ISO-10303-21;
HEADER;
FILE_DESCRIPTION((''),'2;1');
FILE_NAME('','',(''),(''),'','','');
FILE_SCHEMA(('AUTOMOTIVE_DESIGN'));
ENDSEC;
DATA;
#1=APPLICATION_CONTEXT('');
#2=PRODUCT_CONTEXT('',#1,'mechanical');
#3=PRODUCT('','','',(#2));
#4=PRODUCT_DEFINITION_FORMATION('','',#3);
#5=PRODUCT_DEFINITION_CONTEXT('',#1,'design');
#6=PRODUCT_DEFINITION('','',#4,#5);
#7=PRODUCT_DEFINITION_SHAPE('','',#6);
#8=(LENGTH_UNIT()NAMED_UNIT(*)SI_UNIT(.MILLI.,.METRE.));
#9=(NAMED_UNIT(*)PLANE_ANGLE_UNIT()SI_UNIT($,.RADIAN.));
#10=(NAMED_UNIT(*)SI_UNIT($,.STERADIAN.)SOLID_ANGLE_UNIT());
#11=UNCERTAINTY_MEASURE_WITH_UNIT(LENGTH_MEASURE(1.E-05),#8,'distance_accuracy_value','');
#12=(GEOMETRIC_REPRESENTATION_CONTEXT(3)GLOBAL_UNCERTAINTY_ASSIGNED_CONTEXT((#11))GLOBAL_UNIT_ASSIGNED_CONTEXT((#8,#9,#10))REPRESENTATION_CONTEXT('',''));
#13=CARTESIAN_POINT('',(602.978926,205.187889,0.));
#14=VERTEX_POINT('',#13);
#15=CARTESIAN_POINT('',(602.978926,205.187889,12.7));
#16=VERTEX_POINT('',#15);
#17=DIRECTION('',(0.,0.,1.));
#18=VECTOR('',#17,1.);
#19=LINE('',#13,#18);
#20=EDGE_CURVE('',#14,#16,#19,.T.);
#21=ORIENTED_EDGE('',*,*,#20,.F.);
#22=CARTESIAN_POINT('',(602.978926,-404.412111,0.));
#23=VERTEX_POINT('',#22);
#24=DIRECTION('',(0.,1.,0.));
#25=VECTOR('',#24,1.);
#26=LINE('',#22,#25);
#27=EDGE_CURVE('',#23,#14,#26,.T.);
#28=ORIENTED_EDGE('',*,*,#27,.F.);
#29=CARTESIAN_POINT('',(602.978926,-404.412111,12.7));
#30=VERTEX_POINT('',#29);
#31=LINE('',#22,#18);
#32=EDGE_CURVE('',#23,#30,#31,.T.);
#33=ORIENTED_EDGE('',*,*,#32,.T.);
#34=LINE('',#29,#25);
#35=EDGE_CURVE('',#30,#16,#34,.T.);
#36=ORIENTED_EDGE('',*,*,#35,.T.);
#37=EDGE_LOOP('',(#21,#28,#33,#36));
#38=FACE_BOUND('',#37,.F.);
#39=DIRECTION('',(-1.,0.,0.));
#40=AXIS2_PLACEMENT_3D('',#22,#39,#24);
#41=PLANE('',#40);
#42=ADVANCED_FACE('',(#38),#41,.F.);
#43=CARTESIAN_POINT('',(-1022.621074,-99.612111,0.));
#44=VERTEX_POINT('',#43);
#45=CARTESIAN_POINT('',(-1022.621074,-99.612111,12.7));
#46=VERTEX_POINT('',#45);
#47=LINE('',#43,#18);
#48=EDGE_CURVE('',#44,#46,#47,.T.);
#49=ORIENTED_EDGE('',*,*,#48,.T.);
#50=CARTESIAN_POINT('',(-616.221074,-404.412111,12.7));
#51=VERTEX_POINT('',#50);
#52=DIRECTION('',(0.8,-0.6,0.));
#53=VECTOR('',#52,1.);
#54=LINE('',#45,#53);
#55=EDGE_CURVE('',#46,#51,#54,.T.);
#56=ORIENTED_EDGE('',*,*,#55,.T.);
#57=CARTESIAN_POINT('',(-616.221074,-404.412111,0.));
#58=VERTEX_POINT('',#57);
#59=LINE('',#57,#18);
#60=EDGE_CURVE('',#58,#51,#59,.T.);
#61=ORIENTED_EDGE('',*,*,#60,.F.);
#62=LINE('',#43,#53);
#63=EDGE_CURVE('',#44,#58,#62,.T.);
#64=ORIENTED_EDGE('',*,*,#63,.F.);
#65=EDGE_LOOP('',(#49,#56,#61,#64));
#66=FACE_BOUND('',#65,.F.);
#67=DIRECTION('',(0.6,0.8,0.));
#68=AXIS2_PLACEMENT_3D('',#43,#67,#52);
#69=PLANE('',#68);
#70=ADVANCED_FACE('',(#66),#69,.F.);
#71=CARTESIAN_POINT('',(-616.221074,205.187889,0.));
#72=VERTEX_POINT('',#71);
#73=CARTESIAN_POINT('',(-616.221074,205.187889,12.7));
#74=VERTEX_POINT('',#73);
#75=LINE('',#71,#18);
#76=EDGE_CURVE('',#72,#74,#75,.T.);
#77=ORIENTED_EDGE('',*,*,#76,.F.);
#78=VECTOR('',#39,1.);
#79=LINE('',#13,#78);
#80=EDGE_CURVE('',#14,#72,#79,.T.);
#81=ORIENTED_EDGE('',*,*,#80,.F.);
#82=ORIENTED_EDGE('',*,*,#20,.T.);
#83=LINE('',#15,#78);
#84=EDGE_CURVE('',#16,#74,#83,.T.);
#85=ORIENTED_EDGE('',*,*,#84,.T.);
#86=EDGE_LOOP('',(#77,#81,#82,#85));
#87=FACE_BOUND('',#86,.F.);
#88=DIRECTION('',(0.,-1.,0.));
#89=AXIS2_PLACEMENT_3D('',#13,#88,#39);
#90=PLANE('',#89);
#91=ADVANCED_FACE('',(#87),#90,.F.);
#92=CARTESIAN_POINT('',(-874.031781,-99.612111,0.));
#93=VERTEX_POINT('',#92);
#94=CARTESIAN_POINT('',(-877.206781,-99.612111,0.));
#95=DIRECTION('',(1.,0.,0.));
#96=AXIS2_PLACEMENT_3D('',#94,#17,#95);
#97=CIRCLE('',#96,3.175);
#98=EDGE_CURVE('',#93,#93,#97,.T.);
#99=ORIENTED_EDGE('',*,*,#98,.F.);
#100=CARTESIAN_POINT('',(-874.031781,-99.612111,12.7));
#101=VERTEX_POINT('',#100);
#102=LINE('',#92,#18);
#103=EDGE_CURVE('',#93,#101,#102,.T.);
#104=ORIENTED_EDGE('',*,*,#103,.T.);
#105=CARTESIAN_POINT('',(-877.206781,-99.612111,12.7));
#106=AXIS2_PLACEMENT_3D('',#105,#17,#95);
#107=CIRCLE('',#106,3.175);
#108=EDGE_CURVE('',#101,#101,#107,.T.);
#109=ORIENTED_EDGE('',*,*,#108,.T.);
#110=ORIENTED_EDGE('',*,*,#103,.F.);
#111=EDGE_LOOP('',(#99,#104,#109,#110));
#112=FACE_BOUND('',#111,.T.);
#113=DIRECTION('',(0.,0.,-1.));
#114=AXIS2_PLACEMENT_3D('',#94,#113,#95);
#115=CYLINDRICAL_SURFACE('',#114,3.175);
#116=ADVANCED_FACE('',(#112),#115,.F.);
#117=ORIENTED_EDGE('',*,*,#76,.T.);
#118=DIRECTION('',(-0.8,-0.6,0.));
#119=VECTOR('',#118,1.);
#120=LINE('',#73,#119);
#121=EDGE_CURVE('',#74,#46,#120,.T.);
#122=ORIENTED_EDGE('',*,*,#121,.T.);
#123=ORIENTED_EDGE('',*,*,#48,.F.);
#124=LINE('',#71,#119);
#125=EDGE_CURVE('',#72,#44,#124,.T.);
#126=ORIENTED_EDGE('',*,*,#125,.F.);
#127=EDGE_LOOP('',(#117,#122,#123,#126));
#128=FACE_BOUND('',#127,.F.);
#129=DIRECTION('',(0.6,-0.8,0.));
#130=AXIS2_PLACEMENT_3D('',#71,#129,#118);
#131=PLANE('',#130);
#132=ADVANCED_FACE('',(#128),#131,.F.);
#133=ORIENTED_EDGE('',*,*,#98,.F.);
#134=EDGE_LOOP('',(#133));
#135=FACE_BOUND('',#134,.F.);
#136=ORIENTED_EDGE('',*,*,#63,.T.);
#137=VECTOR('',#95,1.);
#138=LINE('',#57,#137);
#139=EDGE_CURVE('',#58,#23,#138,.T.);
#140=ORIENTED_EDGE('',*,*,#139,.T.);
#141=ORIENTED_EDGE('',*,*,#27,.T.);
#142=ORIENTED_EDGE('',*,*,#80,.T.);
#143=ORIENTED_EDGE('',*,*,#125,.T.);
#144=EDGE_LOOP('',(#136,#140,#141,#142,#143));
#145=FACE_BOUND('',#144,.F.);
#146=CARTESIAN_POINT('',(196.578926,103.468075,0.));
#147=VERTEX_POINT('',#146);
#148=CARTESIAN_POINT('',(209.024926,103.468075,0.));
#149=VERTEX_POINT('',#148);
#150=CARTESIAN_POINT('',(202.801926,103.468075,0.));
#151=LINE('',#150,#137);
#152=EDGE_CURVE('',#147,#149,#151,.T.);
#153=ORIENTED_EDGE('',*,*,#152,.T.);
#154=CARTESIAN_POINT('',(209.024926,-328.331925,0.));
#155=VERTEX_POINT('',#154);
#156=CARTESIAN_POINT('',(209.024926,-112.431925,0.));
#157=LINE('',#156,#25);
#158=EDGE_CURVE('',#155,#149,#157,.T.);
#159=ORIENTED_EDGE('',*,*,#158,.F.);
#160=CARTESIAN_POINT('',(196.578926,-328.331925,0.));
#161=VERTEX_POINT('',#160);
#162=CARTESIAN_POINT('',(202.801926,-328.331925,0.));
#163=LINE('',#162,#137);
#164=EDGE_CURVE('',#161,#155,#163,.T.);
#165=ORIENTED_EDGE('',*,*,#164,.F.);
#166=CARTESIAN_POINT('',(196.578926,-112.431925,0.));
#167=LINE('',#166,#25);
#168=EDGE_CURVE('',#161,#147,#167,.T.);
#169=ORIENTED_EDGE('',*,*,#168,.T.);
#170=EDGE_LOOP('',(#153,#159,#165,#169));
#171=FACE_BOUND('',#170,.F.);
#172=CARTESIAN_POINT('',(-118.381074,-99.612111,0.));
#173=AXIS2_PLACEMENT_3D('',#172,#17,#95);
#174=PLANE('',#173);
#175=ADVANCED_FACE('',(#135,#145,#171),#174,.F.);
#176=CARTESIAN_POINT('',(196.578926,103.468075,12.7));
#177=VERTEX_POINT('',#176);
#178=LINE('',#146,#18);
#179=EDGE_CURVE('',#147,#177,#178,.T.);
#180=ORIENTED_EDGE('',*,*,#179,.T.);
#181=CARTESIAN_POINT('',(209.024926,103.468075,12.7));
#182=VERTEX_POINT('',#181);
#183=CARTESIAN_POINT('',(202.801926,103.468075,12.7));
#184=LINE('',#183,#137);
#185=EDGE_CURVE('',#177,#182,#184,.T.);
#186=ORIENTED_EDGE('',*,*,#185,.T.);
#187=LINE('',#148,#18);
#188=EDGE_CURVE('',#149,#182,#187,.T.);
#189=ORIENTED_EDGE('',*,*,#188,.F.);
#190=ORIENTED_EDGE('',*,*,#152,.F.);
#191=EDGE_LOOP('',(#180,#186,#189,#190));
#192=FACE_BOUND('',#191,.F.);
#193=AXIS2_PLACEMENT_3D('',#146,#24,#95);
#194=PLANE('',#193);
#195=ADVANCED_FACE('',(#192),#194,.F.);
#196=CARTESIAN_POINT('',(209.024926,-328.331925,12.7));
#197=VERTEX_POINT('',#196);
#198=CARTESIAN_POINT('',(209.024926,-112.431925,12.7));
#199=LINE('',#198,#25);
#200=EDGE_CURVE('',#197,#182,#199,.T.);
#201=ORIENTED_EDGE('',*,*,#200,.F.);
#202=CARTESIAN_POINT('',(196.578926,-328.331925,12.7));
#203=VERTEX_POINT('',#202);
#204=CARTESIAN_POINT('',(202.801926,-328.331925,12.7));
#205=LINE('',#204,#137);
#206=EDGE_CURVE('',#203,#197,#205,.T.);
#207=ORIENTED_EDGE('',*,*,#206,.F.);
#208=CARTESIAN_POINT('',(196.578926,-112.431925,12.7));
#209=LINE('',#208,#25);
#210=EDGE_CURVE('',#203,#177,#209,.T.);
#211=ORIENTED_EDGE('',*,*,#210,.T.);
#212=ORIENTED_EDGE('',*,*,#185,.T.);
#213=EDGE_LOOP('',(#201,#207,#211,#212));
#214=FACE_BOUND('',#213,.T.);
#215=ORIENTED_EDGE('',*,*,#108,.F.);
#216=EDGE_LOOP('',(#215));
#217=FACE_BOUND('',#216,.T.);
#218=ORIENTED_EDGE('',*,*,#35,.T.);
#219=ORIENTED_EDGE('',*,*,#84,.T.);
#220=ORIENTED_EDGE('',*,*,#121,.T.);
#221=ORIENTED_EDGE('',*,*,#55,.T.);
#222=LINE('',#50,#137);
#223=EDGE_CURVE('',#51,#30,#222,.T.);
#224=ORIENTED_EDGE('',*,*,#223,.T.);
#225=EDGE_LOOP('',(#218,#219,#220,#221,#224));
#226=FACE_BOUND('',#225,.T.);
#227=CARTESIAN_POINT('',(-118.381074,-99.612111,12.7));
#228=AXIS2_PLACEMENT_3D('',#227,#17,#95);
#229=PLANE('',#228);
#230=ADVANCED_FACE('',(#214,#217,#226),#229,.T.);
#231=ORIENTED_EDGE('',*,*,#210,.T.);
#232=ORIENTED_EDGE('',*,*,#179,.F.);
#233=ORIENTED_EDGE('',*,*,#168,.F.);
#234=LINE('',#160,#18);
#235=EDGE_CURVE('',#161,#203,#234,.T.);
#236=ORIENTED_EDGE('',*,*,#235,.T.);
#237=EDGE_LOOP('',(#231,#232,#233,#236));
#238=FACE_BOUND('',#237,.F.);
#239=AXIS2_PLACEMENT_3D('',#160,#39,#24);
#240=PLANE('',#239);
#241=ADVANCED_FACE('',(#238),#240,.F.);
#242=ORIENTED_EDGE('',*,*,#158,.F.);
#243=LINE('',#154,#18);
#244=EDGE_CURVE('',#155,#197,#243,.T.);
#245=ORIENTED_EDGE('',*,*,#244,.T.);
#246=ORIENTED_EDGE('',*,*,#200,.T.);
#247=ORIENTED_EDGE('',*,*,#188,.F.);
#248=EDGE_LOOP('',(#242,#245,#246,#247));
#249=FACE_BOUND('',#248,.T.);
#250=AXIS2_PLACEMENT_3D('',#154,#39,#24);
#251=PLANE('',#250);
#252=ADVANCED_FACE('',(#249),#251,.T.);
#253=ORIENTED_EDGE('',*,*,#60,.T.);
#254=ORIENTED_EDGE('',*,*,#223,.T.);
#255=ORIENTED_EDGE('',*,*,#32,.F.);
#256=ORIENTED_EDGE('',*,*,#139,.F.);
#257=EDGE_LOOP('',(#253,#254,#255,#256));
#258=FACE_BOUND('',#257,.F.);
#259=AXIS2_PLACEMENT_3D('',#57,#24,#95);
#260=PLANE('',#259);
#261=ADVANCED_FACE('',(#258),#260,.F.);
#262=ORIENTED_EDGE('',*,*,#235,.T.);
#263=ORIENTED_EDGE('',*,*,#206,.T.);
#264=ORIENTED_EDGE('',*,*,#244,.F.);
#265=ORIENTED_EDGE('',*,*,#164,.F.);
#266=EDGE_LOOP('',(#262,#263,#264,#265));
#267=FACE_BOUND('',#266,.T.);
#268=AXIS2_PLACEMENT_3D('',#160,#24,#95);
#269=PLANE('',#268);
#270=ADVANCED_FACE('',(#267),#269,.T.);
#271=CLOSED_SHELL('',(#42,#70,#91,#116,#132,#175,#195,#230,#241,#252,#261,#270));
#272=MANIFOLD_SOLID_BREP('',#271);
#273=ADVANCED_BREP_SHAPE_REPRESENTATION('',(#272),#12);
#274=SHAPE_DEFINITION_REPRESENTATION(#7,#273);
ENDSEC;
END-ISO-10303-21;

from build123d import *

# Parameters (mm, degrees)
F0_W     = 12.446
F0_H     = 431.8
F0_R     = 3.175
F1_DEPTH = 12.7


with BuildPart() as f1:
    # F0 (on Top) → F1 (new body)
    with BuildSketch(Plane.XY):
        Polygon((602.978926, 205.187889), (-616.221074, 205.187889), (-1022.621074, -99.612111), (-616.221074, -404.412111), (602.978926, -404.412111), align=None)
        with Locations((202.801926, -112.431925)):
            Rectangle(F0_W, F0_H, mode=Mode.SUBTRACT)
        with Locations((-877.206781, -99.612111)):
            Circle(F0_R, mode=Mode.SUBTRACT)
    extrude(amount=F1_DEPTH)


solid = f1.part
